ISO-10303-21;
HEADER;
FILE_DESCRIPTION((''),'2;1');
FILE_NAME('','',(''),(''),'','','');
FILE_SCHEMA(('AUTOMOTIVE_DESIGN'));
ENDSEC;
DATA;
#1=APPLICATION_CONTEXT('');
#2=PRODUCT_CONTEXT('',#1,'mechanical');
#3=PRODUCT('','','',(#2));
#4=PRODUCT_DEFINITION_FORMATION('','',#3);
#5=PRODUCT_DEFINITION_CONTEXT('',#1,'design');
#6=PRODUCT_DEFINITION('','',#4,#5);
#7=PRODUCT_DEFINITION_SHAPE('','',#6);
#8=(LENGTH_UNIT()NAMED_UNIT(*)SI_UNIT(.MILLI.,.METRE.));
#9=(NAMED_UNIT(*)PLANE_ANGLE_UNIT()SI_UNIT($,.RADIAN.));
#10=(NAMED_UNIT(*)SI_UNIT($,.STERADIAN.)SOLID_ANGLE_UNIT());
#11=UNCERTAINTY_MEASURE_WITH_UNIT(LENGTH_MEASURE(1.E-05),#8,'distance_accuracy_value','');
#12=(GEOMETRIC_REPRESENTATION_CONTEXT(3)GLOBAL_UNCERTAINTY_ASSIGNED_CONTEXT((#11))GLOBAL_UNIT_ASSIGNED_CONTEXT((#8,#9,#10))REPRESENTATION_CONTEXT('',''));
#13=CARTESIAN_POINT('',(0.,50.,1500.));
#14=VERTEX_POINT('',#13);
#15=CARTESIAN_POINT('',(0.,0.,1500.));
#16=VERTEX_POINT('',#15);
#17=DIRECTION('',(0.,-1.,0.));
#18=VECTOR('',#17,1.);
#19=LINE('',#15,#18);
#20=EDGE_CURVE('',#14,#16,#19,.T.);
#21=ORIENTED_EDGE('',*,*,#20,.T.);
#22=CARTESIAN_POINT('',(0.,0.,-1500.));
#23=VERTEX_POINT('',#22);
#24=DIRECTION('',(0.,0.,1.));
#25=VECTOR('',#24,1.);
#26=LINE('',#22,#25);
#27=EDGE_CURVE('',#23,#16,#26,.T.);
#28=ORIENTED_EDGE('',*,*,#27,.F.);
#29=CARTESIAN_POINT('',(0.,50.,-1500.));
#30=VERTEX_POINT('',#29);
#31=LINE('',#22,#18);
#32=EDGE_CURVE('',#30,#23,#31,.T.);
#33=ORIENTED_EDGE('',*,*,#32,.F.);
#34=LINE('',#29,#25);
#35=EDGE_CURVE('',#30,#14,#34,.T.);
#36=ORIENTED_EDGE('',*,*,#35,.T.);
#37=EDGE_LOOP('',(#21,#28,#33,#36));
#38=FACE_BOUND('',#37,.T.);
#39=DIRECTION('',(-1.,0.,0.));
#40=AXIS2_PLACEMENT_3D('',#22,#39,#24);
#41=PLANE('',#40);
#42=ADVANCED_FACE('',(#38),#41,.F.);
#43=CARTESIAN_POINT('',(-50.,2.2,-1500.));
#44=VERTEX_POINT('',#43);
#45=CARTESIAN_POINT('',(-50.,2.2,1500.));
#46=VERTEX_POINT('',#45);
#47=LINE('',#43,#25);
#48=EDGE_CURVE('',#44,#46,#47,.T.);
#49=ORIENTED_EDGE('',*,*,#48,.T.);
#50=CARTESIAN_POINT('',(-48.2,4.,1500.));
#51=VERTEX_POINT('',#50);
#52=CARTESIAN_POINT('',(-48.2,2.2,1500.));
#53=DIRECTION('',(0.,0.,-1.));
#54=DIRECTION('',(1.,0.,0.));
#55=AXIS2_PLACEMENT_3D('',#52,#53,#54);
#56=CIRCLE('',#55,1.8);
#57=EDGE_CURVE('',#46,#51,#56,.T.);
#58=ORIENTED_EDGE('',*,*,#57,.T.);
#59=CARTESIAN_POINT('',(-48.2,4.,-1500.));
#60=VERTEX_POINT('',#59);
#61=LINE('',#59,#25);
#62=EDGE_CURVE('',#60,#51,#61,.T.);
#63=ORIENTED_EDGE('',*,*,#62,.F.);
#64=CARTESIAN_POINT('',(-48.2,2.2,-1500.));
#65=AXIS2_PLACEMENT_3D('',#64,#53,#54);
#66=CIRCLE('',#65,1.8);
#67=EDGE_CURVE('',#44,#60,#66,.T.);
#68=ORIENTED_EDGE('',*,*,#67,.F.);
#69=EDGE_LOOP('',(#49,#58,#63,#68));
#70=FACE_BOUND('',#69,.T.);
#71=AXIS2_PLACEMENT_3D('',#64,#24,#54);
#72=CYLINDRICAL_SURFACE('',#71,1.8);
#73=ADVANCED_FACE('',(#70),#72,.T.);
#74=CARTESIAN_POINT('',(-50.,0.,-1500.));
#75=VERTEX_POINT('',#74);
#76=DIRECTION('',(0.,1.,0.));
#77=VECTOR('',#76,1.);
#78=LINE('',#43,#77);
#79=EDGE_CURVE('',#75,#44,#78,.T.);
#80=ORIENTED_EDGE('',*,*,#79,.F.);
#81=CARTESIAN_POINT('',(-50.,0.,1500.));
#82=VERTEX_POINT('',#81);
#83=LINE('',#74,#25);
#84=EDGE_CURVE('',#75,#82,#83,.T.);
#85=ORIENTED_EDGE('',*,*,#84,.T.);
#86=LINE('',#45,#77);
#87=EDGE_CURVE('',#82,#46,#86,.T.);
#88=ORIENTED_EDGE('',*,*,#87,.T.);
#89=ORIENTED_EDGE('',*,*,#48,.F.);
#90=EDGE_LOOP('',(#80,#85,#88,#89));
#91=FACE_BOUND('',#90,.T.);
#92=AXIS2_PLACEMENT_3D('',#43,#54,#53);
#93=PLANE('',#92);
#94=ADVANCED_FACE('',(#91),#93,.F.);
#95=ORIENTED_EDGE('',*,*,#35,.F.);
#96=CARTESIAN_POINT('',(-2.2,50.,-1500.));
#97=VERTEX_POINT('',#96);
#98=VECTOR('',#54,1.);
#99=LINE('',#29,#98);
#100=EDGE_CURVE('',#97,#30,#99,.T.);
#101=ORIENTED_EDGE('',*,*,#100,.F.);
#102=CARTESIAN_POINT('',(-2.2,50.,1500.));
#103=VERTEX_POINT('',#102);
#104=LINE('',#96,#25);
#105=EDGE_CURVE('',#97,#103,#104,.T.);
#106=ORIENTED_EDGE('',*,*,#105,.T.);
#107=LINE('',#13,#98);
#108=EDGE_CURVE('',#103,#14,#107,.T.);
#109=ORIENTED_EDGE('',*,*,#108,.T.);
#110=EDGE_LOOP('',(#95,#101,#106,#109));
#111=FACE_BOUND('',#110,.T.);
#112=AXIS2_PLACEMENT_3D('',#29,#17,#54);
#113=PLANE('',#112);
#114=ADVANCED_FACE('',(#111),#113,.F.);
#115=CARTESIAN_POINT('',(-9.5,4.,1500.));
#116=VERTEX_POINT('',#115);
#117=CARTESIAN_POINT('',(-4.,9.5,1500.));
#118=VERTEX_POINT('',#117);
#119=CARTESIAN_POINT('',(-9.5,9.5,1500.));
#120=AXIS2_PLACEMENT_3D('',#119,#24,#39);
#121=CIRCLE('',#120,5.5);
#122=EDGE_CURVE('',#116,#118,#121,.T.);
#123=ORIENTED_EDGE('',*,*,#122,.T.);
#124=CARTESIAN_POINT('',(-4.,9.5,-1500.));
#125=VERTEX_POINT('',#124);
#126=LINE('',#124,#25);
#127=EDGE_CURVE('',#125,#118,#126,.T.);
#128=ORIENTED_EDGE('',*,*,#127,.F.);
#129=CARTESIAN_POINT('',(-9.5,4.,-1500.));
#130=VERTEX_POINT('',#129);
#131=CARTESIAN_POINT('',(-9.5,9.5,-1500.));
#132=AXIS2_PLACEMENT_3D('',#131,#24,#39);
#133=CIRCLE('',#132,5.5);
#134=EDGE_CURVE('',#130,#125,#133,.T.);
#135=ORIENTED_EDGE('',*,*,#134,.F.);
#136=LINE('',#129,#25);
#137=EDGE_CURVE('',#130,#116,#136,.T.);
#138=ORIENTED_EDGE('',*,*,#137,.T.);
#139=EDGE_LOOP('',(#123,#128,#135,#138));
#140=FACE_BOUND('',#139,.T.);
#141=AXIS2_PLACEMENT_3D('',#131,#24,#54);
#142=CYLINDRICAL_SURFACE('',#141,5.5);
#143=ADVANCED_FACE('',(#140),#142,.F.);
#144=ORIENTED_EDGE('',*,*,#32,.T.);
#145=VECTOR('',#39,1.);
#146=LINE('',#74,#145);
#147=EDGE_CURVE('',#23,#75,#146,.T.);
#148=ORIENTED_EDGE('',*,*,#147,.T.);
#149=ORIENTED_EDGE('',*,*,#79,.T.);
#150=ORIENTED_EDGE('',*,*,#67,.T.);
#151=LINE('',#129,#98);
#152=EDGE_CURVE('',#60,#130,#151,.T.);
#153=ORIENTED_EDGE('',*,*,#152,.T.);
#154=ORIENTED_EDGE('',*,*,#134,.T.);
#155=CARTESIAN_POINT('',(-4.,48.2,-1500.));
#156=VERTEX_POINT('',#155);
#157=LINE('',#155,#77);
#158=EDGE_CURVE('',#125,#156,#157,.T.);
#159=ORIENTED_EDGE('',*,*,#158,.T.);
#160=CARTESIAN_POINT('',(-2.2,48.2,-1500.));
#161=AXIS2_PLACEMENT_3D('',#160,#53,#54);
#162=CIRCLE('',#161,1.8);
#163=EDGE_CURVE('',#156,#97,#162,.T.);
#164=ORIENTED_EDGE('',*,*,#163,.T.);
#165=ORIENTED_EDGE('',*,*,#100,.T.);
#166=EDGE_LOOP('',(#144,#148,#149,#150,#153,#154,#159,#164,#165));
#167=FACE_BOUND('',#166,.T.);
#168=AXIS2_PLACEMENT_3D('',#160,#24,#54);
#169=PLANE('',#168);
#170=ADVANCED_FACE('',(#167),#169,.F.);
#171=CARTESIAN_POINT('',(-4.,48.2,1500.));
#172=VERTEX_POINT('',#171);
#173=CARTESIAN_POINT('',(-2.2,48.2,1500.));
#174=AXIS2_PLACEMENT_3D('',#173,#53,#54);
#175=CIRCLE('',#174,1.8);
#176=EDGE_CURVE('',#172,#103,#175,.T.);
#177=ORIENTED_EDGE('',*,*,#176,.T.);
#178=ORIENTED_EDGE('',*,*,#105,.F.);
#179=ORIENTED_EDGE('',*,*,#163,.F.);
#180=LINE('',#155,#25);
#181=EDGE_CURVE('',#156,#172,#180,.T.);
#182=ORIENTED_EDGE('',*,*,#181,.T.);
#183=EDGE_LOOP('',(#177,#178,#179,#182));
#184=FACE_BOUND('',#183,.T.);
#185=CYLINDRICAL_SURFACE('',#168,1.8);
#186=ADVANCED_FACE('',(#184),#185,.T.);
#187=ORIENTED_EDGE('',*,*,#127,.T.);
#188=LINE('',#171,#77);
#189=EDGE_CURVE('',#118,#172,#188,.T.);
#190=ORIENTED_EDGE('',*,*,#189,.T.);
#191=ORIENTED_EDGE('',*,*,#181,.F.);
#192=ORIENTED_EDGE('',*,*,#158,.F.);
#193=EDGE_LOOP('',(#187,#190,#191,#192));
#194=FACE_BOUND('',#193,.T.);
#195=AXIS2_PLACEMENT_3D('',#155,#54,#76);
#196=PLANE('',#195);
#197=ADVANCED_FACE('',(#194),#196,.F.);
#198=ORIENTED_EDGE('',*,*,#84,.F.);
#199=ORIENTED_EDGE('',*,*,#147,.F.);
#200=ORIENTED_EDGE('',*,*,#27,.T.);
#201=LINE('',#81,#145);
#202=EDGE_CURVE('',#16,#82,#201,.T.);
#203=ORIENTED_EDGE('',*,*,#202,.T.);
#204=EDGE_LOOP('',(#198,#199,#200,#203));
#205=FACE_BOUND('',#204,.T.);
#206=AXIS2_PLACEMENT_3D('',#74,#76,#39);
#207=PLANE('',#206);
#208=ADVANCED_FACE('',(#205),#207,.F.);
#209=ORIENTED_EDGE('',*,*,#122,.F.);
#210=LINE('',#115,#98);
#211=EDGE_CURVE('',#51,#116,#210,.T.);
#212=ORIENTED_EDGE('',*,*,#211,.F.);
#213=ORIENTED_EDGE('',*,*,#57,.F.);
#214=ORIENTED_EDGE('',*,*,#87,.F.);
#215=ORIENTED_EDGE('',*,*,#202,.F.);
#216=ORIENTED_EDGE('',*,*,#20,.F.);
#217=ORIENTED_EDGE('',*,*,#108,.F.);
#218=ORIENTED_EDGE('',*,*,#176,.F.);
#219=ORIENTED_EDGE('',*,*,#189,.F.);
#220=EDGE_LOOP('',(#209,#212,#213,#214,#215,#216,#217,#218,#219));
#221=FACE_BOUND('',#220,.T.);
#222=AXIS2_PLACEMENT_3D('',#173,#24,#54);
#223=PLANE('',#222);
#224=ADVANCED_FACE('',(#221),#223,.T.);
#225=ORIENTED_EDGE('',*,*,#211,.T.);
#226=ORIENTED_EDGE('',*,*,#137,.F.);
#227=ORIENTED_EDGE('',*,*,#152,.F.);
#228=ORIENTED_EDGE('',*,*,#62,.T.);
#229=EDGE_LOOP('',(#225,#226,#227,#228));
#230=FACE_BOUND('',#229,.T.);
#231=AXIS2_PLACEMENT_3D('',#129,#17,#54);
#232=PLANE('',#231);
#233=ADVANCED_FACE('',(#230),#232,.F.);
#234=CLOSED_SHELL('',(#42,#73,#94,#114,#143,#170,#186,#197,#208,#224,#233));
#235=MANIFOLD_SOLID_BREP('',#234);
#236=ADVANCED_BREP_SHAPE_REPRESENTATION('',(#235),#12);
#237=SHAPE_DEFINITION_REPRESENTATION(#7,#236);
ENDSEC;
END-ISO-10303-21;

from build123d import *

# Parameters (mm, degrees)
EXTRUDE_1_DEPTH = 1500


with BuildPart() as part:
    # Эскиз1 → Бобышка-Вытянуть1 (new, symmetric)
    with BuildSketch(Plane(origin=(0, 0, 0), x_dir=(-1, 0, 0), z_dir=(0, 0, -1))):
        with BuildLine():
            Line((0, 0), (0, 50))
            Line((0, 50), (2.2, 50))
            ThreePointArc((2.2, 50), (3.472792206, 49.472792206), (4, 48.2))
            Line((4, 48.2), (4, 9.5))
            ThreePointArc((4, 9.5), (5.610912703, 5.610912703), (9.5, 4))
            Line((9.5, 4), (48.2, 4))
            ThreePointArc((48.2, 4), (49.472792206, 3.472792206), (50, 2.2))
            Line((50, 2.2), (50, 0))
            Line((50, 0), (0, 0))
        make_face()
    extrude(amount=EXTRUDE_1_DEPTH, both=True)


solid = part.part
